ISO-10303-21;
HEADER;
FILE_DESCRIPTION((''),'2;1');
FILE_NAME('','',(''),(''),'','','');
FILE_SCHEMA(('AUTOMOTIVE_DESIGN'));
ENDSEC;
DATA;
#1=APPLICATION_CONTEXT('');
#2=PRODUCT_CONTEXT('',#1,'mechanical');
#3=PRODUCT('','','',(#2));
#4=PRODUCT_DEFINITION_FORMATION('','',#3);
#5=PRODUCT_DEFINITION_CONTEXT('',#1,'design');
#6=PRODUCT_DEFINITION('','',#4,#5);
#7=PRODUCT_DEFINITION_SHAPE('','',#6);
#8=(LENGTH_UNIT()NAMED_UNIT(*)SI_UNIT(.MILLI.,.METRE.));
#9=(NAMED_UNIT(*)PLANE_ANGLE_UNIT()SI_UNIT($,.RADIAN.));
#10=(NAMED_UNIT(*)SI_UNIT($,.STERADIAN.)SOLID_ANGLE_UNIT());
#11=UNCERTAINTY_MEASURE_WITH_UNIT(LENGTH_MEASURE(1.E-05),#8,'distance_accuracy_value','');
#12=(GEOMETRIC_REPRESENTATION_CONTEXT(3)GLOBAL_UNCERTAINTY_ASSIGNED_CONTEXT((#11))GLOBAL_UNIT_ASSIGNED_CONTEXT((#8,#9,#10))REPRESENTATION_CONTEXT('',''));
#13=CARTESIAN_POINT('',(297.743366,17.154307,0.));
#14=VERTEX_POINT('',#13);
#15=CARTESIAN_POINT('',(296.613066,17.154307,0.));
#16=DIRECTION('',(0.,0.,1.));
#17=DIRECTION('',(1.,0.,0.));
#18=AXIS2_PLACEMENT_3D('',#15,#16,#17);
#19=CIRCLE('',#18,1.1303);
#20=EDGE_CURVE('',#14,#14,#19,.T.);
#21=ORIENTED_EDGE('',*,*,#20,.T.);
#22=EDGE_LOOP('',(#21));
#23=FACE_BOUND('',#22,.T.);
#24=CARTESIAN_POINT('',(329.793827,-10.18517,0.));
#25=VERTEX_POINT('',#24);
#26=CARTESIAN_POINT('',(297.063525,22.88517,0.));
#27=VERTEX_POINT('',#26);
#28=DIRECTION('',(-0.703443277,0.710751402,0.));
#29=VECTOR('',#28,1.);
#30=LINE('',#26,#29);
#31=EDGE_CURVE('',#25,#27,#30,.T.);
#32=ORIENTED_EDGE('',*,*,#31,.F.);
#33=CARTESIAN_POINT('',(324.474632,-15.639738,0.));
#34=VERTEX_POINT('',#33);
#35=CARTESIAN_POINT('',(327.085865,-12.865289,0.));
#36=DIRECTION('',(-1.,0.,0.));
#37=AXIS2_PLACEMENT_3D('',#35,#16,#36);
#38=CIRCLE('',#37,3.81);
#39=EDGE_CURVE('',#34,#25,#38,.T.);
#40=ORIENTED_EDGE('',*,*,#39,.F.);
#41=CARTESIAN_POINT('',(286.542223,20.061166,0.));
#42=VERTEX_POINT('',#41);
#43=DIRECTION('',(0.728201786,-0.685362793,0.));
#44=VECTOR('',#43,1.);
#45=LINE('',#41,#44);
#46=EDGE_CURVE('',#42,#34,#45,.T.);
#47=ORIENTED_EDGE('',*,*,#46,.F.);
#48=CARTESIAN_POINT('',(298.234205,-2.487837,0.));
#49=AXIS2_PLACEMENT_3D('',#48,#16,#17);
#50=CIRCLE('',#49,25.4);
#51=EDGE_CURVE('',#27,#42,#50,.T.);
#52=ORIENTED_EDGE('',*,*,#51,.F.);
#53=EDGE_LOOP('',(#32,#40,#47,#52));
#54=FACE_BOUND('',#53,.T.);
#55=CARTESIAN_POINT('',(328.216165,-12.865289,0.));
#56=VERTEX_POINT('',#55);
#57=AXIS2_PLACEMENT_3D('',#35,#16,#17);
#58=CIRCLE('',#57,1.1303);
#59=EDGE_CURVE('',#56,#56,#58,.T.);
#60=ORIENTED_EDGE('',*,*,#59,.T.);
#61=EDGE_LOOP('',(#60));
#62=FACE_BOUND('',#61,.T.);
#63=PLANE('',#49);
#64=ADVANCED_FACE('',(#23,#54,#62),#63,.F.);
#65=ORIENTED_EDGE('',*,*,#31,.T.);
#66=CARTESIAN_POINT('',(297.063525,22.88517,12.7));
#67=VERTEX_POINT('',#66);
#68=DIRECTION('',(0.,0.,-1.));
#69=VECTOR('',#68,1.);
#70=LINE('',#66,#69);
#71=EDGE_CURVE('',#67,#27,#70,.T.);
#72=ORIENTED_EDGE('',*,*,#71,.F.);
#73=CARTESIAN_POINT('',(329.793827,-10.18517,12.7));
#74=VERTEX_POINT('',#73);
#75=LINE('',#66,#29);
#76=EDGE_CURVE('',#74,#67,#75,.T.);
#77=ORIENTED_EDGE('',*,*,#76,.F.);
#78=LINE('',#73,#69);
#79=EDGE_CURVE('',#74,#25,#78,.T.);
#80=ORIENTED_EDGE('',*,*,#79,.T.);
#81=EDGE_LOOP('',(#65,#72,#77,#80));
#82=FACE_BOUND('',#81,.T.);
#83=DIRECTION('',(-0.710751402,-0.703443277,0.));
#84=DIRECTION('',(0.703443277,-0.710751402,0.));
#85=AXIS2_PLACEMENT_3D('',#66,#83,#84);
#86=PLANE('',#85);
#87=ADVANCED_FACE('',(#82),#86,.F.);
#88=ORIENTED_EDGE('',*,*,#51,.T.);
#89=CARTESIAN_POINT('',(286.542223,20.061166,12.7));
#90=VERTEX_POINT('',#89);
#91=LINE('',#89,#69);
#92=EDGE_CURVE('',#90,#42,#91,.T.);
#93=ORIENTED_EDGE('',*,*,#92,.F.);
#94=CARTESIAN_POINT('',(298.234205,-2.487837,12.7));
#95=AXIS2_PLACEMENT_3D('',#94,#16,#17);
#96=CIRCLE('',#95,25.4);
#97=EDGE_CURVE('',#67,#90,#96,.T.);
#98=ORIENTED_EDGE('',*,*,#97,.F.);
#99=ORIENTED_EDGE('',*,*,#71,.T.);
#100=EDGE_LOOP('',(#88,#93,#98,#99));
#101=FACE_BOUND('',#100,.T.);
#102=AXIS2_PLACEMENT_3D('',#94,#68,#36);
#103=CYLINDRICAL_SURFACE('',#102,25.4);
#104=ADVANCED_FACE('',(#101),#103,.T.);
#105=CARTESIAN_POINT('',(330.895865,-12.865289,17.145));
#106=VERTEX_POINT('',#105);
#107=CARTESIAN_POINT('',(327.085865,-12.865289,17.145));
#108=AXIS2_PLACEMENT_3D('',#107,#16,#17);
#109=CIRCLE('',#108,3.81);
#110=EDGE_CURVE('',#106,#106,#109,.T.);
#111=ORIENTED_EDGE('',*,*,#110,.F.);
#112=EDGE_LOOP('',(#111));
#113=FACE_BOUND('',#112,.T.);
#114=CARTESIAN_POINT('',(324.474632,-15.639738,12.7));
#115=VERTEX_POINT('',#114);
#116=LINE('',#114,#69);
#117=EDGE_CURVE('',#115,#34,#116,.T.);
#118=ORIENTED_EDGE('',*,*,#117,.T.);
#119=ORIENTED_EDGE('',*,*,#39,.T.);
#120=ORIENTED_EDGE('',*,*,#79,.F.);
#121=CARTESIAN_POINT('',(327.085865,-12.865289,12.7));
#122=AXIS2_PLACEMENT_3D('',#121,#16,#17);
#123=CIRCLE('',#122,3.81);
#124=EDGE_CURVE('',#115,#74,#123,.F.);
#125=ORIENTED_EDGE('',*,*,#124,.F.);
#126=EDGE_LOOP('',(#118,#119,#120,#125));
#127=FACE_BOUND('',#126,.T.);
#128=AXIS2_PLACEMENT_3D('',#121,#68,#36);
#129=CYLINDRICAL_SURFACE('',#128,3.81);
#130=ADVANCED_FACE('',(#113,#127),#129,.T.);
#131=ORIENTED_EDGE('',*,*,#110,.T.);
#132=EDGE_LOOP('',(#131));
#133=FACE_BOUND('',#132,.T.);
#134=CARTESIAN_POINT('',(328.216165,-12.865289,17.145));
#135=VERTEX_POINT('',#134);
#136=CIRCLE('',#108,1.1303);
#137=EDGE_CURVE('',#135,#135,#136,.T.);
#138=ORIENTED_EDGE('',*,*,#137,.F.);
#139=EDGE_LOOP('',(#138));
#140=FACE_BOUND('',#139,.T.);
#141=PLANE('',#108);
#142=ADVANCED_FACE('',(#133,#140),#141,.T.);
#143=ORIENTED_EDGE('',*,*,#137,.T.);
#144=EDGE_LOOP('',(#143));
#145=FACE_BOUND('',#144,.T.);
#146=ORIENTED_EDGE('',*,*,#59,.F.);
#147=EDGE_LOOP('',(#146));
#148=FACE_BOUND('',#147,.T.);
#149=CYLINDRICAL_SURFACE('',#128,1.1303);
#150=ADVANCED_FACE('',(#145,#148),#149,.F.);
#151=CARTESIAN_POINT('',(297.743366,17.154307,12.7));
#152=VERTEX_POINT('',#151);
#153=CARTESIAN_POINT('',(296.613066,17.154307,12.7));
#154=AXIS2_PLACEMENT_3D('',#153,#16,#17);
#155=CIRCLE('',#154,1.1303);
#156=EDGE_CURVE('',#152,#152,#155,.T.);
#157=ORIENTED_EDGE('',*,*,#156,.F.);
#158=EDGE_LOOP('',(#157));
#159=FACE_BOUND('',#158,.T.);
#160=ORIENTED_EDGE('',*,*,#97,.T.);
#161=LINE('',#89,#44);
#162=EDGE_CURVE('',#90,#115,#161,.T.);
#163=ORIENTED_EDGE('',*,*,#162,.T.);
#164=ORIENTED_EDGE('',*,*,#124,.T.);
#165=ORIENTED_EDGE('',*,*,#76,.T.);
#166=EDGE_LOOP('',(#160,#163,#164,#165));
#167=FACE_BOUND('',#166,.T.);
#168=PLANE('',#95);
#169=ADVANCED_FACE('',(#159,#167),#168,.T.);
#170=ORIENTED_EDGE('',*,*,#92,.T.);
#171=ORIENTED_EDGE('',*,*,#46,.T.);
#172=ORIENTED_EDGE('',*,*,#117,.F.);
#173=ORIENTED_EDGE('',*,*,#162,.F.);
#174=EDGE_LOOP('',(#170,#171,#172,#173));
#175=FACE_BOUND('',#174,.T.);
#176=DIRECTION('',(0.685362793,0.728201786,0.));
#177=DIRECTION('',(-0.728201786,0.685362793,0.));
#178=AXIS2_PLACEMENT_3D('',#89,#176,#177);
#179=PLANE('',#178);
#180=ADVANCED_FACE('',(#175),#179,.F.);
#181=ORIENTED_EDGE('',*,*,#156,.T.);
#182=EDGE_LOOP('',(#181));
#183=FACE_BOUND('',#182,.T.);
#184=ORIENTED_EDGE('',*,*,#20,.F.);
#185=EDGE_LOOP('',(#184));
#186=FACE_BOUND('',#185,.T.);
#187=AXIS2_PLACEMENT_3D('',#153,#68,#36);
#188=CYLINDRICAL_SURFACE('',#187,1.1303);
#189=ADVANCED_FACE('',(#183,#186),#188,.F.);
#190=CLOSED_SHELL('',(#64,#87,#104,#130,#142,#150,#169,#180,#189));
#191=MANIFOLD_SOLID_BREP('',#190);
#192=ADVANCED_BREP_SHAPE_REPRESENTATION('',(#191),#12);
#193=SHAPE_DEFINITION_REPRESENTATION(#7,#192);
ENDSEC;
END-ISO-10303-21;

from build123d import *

# Parameters (mm, degrees)
SKETCH1_R      = 1.1303
SKETCH1_R_2    = 1.130299999
EXTRUDE1_DEPTH = 12.7
SKETCH2_R      = 3.810000001
SKETCH2_R_2    = 1.130299999
EXTRUDE2_DEPTH = 17.145


with BuildPart() as part:
    # Sketch1 → Extrude1 (new body)
    with BuildSketch(Plane.XY):
        with BuildLine():
            Line((286.542223003, 20.061166103), (324.474632327, -15.639737839))
            ThreePointArc((324.474632327, -15.639737839), (329.813577235, -15.525304753), (329.793827414, -10.185170147))
            Line((329.793827414, -10.185170147), (297.063524693, 22.885170148))
            ThreePointArc((297.063524693, 22.885170148), (291.649695142, 22.043861139), (286.542223003, 20.061166103))
        make_face()
        with Locations((296.613066371, 17.154306926)):
            Circle(SKETCH1_R, mode=Mode.SUBTRACT)
        with Locations((327.08586457, -12.865289034)):
            Circle(SKETCH1_R_2, mode=Mode.SUBTRACT)
    extrude(amount=EXTRUDE1_DEPTH)

    # Sketch2 → Extrude2 (add)
    with BuildSketch(Plane.XY):
        with Locations(Location((327.08586457, -12.865289034, 0), (0, 0, 226.735854521))):
            Circle(SKETCH2_R)
        with Locations((327.08586457, -12.865289034)):
            Circle(SKETCH2_R_2, mode=Mode.SUBTRACT)
    extrude(amount=EXTRUDE2_DEPTH)


solid = part.part
